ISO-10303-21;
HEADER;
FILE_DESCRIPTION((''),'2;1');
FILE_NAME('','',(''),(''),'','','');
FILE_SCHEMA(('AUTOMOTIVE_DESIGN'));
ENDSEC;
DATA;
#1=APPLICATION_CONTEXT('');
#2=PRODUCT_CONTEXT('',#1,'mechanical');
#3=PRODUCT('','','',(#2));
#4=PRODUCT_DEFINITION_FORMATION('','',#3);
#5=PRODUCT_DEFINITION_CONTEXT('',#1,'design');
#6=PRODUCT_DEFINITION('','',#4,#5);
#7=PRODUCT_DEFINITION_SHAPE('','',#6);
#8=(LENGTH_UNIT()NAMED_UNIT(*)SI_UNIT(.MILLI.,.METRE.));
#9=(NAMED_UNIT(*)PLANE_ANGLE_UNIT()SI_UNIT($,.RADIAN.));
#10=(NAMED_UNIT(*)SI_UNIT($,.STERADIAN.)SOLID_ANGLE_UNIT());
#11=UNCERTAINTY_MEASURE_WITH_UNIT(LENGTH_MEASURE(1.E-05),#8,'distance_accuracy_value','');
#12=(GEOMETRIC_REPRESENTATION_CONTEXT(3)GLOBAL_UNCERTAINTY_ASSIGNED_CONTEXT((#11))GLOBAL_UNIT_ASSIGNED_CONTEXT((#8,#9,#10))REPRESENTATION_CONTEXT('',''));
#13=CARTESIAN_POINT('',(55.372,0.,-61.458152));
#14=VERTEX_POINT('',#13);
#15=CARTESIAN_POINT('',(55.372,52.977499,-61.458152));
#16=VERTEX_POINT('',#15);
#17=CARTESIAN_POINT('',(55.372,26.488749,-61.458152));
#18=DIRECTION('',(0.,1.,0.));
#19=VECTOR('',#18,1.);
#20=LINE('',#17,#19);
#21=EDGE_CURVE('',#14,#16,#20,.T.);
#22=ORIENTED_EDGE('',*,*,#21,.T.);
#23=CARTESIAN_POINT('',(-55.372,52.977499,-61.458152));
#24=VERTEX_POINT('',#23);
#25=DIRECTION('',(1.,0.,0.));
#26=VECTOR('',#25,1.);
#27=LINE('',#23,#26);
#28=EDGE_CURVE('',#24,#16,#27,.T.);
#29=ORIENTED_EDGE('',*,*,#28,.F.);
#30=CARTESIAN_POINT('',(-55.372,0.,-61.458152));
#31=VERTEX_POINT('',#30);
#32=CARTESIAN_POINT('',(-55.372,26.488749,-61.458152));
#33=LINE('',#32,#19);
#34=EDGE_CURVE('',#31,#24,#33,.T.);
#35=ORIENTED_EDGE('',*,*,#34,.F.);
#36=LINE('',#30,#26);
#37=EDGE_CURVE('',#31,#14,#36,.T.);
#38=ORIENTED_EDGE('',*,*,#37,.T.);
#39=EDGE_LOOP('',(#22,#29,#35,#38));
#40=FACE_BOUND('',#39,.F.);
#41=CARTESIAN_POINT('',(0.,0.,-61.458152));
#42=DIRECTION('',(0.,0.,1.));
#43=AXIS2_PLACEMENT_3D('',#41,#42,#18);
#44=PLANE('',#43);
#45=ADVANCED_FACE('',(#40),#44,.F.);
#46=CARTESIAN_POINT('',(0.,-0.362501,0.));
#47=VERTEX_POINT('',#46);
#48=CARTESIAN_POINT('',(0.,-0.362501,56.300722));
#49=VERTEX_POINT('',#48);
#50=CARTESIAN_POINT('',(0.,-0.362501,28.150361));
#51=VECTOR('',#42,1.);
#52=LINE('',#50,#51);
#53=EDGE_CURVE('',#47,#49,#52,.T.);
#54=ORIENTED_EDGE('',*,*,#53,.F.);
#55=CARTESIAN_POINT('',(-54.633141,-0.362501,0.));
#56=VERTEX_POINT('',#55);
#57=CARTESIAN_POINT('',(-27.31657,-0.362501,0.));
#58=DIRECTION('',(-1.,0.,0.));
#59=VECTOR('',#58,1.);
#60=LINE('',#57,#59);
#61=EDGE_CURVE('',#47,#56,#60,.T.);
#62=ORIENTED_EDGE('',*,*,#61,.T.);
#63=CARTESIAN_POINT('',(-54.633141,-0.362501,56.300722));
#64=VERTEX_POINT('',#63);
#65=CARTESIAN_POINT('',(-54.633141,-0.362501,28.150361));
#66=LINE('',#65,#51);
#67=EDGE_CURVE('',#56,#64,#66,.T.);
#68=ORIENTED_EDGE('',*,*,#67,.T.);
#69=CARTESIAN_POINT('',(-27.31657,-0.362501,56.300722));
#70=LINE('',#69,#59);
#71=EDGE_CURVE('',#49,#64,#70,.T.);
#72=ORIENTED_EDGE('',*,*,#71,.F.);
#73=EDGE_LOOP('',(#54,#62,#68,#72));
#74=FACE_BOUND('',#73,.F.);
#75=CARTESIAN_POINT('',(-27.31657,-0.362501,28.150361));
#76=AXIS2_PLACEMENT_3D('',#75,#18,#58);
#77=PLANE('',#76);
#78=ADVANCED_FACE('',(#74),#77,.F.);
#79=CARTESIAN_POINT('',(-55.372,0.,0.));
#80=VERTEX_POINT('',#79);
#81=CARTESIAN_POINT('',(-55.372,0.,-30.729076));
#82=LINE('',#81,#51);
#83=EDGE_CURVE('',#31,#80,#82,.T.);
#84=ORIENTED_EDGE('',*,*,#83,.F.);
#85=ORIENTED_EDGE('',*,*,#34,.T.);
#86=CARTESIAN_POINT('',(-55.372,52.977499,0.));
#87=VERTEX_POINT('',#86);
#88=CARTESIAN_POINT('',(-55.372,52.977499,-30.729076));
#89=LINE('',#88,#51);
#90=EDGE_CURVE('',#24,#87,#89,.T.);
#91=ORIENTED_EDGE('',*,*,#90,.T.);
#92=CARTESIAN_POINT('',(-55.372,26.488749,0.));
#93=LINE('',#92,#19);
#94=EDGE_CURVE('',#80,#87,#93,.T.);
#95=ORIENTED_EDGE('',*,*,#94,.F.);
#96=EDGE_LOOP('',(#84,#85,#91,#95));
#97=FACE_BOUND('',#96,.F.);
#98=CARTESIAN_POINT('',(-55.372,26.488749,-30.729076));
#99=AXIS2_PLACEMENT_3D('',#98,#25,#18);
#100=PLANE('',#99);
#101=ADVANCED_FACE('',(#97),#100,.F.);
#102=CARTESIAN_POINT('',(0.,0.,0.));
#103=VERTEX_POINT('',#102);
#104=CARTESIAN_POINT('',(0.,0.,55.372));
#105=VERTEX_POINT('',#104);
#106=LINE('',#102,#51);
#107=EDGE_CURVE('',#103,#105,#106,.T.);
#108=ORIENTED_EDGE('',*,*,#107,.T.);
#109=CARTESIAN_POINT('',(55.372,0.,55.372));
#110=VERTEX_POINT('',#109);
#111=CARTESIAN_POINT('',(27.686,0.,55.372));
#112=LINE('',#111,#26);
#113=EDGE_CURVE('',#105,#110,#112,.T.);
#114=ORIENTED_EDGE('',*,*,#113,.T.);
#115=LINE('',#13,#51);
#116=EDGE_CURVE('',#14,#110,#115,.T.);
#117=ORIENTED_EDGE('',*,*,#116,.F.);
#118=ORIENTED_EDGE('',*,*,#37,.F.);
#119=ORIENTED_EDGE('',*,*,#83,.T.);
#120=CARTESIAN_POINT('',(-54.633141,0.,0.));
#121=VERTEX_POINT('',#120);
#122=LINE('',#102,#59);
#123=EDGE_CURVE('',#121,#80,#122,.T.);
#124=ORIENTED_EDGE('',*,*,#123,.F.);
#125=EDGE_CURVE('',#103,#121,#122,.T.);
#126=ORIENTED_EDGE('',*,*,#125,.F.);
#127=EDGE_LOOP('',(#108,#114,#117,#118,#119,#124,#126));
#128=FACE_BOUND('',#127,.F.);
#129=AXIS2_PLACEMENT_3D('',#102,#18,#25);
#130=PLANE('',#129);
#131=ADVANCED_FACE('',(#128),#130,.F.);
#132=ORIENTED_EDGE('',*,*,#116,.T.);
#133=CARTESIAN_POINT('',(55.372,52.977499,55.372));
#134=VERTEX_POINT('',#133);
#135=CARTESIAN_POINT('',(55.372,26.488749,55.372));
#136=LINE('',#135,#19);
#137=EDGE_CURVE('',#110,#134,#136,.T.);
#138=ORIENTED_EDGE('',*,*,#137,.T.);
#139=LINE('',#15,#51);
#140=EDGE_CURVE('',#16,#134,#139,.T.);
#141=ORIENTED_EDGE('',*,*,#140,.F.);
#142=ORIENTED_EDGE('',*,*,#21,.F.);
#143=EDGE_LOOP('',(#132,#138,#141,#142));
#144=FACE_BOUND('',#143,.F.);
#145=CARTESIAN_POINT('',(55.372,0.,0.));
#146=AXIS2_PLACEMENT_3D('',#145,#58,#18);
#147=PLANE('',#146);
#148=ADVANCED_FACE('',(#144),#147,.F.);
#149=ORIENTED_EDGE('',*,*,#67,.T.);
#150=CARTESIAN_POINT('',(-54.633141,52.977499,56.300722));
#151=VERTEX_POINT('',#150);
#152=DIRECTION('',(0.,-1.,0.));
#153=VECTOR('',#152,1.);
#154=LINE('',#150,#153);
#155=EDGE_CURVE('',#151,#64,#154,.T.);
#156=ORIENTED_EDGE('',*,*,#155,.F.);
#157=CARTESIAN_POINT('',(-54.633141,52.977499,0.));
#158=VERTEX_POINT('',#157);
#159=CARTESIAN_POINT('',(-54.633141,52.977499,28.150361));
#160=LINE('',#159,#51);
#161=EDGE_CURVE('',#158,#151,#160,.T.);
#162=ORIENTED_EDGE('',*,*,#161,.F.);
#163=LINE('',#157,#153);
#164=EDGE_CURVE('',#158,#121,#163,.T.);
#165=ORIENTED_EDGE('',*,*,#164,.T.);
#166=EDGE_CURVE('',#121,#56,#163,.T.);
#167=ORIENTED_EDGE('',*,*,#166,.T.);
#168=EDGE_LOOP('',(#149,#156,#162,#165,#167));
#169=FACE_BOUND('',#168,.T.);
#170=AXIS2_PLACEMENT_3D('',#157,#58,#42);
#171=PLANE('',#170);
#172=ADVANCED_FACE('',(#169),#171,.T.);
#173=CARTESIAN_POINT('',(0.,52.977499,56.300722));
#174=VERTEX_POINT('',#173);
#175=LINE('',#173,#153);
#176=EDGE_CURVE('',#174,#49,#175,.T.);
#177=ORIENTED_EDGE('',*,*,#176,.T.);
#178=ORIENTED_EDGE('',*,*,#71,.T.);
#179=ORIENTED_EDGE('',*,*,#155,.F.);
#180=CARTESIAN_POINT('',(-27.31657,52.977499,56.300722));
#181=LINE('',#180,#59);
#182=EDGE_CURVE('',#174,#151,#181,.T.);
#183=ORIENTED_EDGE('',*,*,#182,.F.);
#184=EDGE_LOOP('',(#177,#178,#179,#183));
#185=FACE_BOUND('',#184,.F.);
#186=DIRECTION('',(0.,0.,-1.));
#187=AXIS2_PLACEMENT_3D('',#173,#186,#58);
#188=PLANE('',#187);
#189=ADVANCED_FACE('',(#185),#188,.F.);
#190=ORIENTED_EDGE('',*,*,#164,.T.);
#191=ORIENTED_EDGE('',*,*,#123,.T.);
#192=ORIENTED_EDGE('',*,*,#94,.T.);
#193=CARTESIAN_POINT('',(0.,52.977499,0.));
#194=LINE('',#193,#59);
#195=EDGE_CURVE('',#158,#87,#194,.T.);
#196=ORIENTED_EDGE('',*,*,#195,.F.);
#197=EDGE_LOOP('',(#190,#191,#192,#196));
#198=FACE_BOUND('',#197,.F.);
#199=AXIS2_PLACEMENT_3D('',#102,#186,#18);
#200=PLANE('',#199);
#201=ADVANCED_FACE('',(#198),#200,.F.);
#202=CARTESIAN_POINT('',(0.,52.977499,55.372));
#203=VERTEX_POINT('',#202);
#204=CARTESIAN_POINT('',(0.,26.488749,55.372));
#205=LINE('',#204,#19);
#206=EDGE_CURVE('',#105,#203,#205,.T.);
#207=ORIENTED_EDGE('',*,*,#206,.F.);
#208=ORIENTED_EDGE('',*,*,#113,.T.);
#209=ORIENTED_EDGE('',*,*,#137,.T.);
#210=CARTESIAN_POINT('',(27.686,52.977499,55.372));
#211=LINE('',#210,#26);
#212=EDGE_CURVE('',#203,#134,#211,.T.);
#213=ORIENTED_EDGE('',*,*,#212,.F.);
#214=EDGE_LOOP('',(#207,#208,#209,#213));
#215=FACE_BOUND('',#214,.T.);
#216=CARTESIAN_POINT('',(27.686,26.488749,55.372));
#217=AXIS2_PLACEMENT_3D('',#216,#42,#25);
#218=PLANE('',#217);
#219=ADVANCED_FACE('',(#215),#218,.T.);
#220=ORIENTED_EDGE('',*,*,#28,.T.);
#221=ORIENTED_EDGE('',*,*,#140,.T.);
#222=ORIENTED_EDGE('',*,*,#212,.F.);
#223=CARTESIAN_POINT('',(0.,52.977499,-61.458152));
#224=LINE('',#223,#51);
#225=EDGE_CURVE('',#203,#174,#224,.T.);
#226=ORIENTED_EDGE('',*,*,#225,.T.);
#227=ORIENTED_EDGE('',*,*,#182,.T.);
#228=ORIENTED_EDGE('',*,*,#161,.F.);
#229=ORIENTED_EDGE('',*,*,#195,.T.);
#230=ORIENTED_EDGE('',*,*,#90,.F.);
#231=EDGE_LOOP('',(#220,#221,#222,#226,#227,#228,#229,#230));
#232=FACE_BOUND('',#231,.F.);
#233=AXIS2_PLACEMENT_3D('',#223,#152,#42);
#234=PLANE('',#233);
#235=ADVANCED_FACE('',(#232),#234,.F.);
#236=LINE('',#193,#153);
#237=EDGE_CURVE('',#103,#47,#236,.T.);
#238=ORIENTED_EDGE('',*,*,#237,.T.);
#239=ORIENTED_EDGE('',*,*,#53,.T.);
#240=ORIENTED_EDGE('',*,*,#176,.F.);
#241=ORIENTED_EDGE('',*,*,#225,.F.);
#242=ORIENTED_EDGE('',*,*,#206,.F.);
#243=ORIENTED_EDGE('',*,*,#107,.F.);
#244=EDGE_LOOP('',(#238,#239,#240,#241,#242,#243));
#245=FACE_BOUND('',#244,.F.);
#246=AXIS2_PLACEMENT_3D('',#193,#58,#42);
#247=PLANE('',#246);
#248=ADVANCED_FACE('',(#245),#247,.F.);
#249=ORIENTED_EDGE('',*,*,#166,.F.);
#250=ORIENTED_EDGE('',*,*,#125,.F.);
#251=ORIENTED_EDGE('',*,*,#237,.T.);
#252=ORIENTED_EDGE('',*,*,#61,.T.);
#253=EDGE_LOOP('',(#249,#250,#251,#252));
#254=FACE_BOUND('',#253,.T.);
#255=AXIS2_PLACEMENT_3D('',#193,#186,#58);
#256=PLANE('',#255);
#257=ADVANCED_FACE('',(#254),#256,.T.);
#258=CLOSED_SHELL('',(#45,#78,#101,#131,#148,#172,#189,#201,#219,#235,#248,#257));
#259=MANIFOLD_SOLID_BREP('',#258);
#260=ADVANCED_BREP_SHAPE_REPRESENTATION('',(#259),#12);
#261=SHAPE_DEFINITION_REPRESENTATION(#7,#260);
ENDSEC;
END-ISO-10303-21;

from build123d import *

# Parameters (mm, degrees)
F0_W     = 52.9774986207
F0_H     = 61.4581517875
F1_DEPTH = 55.372
F2_W     = 54.633140564
F2_H     = 56.3007220626
F3_DEPTH = 53.34
F4_W     = 52.9774986207
F4_H     = 61.4581517875
F5_DEPTH = 55.372
F6_W     = 55.372
F6_H     = 52.9774986207
F7_DEPTH = 55.372


with BuildPart() as f1:
    # F0 (on Right) → F1 (new body)
    with BuildSketch(Plane.YZ):
        with Locations((26.4887493104, -30.7290758938)):
            Rectangle(F0_W, F0_H)
    extrude(amount=-F1_DEPTH)

    # F2 (on face) → F3 (join)
    with BuildSketch(Plane(origin=(0, 52.9774986207, 0), x_dir=(-1, 0, 0), z_dir=(0, 1, 0))):
        with Locations((27.316570282, 28.1503610313)):
            Rectangle(F2_W, F2_H)
    extrude(amount=-F3_DEPTH)

    # F4 (on face) → F5 (join)
    with BuildSketch(Plane.YZ):
        with Locations((26.4887493104, -30.7290758938)):
            Rectangle(F4_W, F4_H)
    extrude(amount=F5_DEPTH)

    # F6 (on face) → F7 (join)
    with BuildSketch(Plane.XY):
        with Locations((27.686, 26.4887493104)):
            Rectangle(F6_W, F6_H)
    extrude(amount=F7_DEPTH)


solid = f1.part
